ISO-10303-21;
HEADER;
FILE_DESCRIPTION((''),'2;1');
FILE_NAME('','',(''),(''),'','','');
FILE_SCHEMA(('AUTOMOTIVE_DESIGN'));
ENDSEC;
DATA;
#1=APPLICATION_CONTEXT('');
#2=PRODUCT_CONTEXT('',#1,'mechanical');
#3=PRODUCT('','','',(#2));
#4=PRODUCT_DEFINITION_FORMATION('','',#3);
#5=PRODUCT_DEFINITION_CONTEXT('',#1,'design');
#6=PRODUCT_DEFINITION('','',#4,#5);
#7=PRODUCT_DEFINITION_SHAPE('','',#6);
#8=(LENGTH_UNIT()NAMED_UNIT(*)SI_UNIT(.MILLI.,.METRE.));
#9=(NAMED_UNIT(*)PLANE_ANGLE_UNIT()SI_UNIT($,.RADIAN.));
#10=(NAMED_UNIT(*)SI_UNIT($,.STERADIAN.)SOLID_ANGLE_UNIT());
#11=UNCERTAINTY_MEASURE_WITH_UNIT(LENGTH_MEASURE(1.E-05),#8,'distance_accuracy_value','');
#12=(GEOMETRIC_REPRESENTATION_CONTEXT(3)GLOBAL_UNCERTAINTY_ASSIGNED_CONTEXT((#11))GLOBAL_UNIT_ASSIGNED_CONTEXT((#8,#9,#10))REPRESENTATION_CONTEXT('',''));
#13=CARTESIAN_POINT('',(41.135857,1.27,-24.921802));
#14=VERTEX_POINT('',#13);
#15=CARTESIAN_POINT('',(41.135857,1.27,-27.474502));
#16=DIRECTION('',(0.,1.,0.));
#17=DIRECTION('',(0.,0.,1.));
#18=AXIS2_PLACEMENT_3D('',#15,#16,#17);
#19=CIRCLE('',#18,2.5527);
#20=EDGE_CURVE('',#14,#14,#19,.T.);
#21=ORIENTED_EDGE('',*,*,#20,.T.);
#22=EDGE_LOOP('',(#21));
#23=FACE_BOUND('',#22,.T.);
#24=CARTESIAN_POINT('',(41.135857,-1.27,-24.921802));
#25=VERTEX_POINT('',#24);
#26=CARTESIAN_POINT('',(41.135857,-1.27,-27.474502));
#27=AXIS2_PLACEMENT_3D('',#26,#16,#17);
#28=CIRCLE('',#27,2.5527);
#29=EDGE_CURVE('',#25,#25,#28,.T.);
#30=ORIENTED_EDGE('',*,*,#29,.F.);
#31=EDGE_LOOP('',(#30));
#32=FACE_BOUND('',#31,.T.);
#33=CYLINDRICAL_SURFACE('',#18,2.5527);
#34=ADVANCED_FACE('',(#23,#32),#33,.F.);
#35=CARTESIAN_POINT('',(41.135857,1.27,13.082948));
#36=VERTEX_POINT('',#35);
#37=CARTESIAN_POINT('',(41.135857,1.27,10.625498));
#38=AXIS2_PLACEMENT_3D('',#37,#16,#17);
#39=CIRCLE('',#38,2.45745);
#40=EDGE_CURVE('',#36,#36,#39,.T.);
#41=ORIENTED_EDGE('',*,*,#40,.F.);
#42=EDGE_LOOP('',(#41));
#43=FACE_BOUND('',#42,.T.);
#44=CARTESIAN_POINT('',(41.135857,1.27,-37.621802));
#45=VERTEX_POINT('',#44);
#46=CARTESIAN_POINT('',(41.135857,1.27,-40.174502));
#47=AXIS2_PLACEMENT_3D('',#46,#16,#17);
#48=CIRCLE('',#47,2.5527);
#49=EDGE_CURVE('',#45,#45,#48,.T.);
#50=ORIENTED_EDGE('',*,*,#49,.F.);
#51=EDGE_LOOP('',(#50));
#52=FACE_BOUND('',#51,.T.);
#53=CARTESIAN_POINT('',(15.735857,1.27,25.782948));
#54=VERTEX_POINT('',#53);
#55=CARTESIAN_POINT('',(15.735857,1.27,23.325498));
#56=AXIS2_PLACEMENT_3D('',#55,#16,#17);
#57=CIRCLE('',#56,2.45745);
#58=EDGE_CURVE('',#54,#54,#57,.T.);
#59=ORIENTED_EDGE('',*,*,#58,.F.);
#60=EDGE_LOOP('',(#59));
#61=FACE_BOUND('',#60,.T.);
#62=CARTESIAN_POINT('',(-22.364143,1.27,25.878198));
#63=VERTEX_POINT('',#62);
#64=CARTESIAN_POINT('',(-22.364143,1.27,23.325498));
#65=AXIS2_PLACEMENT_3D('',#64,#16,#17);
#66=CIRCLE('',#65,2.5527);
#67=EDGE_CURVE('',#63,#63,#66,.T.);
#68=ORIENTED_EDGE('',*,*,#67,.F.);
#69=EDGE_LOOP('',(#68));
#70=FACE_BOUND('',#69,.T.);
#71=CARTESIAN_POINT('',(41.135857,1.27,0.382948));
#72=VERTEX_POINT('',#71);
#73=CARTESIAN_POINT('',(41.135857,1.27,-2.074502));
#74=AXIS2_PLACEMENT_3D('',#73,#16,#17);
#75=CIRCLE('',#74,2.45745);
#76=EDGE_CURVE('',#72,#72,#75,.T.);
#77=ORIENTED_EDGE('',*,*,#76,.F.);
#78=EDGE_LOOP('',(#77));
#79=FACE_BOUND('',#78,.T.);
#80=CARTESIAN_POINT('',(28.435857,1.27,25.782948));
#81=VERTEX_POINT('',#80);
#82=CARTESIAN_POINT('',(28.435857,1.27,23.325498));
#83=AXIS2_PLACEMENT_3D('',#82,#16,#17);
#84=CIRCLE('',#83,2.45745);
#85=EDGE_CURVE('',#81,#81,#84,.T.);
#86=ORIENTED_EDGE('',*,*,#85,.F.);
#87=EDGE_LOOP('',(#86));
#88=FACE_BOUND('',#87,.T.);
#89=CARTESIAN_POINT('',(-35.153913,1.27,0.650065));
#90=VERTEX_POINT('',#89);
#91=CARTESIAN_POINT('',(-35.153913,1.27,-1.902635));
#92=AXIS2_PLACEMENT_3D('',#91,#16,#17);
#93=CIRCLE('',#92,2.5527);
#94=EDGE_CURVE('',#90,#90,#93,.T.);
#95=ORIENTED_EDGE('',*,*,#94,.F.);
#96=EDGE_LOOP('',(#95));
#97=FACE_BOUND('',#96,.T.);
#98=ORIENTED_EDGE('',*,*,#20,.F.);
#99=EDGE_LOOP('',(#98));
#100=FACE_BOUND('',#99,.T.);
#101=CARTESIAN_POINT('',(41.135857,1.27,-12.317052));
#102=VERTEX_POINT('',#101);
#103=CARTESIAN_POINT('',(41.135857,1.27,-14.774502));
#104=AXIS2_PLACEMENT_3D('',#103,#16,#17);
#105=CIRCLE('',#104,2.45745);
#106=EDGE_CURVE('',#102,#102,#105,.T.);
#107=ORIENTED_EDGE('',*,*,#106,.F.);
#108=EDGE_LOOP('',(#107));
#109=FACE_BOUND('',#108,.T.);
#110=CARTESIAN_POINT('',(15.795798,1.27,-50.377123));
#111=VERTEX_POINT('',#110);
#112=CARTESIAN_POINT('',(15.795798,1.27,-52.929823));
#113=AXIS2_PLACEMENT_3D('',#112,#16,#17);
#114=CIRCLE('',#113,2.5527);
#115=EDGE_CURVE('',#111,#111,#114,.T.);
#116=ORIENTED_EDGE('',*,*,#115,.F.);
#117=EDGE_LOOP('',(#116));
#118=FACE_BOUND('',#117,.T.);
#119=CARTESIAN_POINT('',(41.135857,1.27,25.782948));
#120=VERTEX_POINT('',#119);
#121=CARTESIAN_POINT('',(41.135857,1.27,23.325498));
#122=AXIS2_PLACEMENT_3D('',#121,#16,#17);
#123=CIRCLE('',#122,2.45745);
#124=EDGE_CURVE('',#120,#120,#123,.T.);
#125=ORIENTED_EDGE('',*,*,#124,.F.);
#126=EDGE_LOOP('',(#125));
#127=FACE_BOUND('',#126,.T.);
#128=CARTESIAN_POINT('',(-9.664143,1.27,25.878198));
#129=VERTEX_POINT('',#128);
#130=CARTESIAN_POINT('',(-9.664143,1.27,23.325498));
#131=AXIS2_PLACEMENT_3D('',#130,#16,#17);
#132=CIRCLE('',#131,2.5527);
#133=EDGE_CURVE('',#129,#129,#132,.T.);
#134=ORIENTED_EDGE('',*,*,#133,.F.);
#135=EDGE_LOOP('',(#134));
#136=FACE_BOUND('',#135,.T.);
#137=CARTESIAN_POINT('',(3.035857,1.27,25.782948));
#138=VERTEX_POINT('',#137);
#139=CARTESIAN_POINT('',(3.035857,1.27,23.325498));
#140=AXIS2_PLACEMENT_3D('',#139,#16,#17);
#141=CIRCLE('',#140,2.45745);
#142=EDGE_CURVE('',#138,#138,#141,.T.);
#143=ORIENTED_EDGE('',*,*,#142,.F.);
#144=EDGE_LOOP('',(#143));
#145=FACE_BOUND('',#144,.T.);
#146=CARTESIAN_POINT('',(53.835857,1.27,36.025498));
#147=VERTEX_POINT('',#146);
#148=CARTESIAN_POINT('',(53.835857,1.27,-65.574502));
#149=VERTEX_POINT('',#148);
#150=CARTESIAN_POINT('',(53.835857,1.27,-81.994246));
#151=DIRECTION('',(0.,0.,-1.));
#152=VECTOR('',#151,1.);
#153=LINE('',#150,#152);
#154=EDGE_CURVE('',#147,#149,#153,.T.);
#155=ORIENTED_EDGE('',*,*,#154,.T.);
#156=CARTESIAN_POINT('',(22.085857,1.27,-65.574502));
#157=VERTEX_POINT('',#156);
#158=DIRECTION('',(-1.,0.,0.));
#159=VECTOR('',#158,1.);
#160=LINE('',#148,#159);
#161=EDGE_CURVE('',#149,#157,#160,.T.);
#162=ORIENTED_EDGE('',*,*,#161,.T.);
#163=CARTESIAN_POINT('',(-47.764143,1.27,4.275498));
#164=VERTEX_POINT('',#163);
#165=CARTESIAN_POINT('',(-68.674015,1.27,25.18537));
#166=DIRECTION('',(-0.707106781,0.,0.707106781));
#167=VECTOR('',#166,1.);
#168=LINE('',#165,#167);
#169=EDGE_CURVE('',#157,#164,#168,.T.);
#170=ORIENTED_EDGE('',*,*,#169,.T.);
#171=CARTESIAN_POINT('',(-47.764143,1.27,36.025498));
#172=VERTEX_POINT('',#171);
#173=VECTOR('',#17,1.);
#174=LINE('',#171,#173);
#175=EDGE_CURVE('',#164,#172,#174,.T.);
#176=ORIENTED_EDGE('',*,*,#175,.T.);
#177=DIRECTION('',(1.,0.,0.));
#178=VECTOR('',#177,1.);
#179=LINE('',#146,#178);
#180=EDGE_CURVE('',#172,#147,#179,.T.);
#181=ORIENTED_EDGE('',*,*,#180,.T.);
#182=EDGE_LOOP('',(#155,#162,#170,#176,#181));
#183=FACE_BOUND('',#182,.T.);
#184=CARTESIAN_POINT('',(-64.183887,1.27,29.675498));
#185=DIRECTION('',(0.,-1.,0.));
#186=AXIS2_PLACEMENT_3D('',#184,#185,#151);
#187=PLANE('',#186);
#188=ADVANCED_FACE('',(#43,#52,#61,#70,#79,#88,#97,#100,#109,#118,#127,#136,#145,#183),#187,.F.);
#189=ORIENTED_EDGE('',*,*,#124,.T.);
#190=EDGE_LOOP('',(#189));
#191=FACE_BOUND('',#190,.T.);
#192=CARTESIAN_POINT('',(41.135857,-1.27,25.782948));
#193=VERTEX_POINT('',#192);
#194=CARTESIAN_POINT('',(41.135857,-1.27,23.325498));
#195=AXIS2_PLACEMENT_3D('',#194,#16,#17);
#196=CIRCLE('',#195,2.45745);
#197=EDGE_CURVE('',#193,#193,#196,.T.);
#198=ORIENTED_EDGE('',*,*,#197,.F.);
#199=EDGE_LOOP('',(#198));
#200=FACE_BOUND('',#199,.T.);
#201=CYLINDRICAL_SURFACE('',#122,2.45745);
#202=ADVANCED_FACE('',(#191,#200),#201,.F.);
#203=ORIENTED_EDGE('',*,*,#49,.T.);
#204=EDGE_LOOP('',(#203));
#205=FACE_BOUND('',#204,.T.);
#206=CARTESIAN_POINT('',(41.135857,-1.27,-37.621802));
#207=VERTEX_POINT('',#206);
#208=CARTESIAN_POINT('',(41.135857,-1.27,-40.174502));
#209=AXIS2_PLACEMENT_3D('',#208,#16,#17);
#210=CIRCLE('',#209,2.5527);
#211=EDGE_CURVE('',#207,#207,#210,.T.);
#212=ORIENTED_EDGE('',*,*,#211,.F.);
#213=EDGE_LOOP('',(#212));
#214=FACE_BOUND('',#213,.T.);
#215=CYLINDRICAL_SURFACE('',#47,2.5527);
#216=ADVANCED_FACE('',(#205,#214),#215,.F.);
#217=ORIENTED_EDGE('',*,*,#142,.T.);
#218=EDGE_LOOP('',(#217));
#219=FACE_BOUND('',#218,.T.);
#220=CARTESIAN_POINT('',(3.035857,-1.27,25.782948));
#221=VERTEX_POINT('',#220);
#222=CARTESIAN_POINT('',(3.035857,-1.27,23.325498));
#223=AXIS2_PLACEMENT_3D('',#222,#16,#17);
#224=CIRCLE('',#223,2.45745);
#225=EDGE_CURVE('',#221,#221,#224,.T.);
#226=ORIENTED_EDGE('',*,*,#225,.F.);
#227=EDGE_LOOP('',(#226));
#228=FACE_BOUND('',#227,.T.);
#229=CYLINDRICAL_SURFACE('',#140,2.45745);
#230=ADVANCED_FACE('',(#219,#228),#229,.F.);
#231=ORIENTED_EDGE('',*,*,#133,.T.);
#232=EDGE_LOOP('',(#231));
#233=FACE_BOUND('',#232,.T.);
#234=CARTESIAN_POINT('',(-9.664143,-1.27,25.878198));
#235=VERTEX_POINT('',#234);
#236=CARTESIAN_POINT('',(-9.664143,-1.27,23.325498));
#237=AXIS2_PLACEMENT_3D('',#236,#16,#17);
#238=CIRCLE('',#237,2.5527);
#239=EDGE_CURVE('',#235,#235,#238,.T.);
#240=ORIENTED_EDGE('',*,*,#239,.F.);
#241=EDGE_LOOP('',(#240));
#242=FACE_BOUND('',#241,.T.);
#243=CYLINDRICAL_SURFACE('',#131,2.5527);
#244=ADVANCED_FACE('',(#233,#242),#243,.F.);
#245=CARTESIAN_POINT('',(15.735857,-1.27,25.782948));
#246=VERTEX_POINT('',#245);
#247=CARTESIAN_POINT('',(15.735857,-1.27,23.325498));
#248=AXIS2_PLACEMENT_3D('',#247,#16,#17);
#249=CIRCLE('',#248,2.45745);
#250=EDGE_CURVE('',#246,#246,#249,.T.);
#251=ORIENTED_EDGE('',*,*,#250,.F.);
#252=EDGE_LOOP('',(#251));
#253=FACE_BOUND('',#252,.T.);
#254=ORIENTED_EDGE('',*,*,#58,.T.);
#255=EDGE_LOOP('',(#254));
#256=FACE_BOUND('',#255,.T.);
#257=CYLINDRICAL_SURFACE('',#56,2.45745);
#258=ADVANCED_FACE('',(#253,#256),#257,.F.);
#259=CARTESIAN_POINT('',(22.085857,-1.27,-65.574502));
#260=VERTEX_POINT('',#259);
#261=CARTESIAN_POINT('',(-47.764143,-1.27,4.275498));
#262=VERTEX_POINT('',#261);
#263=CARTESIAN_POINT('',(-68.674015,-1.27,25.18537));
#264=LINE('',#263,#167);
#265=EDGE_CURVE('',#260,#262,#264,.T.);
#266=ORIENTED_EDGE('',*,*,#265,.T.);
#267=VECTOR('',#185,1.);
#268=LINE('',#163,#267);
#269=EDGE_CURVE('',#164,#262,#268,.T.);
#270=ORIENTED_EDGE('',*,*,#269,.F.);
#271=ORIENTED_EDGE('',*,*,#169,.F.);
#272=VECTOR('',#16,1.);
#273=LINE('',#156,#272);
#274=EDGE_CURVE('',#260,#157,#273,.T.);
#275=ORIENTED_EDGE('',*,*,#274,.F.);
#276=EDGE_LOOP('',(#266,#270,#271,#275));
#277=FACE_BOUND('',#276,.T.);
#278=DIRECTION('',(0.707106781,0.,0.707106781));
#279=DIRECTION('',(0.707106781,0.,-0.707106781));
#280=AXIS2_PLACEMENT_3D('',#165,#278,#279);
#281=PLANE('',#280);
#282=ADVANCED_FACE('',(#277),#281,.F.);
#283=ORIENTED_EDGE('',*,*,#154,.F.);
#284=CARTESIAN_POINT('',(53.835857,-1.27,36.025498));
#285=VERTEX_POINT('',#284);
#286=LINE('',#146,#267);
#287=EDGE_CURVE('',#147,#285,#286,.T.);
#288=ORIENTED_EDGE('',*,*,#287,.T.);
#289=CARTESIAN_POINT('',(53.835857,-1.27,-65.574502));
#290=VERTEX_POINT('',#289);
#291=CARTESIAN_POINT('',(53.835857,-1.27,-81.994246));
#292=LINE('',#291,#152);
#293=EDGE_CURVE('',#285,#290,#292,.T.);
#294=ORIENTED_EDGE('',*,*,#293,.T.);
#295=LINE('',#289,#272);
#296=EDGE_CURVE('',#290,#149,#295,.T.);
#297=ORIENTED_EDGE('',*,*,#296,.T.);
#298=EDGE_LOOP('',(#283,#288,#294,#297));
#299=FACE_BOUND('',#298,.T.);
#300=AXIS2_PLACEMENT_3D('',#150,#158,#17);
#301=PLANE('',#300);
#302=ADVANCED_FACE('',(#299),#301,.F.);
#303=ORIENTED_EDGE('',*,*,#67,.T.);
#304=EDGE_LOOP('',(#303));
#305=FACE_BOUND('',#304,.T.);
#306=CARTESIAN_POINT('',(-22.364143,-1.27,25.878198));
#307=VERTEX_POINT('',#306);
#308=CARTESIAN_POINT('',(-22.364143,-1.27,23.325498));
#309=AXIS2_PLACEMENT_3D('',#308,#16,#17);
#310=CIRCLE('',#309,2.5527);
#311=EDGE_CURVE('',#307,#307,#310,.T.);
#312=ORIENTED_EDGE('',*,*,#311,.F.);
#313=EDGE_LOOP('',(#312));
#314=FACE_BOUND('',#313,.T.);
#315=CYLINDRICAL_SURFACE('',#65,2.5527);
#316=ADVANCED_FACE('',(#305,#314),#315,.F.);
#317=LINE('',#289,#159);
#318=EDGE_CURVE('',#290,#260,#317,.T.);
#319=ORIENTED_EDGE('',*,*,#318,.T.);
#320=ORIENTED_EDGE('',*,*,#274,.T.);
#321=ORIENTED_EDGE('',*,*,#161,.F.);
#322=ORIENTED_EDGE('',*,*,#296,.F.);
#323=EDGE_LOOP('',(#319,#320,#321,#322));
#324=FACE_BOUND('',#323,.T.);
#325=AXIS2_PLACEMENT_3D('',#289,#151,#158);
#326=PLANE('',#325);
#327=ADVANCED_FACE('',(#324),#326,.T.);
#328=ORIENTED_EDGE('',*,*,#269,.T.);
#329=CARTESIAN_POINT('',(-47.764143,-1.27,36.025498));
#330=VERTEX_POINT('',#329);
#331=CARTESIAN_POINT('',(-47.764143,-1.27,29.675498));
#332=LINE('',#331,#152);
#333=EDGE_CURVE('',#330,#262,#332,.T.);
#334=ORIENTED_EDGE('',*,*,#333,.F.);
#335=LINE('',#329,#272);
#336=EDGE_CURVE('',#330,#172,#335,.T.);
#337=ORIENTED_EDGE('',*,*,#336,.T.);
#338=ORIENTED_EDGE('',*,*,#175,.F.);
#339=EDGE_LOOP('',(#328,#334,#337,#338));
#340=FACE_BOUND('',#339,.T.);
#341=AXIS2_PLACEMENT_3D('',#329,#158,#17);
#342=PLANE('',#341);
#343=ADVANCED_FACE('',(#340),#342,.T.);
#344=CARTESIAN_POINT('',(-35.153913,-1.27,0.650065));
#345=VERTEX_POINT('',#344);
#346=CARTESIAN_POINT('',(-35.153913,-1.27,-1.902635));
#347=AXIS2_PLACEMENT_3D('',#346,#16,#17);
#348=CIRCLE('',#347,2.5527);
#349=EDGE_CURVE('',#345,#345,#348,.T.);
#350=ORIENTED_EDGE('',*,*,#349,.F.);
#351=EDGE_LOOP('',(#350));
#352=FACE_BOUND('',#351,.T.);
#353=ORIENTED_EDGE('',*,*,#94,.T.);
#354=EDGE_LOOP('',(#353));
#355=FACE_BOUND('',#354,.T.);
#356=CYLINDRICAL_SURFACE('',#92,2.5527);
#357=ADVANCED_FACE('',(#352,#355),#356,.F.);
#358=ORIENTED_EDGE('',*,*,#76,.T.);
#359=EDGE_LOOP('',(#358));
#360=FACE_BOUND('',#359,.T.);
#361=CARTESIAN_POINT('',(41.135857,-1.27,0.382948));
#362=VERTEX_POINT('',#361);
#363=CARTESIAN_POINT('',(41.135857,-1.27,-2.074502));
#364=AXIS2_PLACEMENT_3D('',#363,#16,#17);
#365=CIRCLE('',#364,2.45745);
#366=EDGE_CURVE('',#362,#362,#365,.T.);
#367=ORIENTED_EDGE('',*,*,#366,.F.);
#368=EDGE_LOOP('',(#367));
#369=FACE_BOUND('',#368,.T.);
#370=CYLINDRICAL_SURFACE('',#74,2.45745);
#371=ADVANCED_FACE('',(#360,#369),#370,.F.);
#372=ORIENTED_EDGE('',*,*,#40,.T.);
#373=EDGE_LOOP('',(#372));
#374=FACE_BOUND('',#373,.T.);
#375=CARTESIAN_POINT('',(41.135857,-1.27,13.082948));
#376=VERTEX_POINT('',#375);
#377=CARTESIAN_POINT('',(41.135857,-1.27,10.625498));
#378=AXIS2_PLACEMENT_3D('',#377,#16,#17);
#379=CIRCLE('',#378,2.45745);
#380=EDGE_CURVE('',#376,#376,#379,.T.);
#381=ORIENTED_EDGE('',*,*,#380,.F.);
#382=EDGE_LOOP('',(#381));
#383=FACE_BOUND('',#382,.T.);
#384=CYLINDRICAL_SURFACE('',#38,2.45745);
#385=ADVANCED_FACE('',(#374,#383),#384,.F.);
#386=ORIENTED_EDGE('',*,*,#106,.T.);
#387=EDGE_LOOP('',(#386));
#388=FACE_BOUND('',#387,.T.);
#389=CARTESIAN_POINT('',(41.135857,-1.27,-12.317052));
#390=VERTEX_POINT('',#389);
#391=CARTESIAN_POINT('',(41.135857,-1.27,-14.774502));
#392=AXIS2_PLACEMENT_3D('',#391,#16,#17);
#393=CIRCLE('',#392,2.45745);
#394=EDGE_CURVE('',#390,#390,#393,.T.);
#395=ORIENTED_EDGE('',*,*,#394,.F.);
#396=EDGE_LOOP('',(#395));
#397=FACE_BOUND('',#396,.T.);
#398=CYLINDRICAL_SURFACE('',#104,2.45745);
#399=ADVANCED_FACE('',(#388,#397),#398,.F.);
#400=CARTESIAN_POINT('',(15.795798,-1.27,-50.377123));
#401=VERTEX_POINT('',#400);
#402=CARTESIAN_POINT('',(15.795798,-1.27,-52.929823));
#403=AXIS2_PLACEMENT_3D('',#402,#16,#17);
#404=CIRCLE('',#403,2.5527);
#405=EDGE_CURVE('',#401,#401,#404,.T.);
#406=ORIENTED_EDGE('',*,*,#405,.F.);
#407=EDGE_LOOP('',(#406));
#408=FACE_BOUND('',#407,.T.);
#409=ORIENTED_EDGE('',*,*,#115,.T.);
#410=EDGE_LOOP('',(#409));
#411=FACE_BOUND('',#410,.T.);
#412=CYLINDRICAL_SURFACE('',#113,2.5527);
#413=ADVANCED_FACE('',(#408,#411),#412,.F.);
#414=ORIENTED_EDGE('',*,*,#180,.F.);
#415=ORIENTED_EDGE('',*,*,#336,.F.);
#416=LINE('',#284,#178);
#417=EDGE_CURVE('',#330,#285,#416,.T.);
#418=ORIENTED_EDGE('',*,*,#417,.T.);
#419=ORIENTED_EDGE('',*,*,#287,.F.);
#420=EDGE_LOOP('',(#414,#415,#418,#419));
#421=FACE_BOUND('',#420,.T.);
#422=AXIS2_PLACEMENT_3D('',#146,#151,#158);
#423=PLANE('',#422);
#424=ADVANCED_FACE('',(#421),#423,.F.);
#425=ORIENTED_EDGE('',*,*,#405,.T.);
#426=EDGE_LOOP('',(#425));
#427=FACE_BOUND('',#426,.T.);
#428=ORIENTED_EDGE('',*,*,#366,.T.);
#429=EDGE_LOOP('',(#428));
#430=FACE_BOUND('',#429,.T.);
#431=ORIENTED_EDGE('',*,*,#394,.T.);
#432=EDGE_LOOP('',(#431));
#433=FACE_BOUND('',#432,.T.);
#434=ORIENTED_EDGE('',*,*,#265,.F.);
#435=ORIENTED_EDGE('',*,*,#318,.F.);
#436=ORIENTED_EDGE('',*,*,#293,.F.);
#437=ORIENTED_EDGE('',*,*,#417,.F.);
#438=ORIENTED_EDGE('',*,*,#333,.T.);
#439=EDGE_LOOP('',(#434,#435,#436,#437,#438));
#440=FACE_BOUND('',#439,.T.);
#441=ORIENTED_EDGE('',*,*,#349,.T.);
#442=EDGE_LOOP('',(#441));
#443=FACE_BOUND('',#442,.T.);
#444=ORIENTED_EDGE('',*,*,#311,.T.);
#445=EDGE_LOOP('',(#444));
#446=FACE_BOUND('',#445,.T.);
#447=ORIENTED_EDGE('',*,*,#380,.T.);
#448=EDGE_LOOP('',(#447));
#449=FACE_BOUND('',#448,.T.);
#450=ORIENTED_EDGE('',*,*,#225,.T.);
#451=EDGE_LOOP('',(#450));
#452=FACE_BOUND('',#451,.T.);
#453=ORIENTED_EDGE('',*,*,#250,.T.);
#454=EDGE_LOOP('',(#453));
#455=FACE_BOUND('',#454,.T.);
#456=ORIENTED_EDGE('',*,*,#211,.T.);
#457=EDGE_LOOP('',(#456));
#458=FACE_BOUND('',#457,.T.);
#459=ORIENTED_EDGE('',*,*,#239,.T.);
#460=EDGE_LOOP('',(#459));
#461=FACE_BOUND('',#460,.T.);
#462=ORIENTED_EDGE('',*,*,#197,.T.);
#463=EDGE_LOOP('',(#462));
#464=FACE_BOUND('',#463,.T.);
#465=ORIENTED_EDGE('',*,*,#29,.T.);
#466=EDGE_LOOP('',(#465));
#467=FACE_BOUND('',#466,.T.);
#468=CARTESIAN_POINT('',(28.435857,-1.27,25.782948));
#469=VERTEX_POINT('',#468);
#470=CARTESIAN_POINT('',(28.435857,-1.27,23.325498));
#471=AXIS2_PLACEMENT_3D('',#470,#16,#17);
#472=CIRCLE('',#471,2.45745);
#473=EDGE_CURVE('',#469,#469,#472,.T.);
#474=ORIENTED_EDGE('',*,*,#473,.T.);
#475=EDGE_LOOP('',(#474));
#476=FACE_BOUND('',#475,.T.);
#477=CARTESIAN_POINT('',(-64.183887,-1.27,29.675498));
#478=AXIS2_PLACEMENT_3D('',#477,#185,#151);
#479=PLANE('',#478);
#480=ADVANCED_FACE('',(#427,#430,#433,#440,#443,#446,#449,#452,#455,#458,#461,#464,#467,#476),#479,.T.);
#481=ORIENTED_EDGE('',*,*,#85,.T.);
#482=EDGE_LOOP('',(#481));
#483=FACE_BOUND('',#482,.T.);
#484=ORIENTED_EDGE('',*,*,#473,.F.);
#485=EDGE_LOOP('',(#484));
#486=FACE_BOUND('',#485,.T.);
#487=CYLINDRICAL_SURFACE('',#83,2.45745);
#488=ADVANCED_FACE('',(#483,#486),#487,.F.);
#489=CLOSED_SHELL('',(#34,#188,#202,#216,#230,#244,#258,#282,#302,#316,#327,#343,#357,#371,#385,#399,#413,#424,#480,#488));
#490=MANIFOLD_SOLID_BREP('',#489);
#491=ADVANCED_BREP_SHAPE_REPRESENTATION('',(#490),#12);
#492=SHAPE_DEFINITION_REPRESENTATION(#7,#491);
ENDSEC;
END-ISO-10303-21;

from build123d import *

# Parameters (mm, degrees)
BOSS_EXTRUDE1_DEPTH          = 1.27
F_10_0_1935_DIAMETER_HOLE1_D = 4.9149
F_10_CLEARANCE_HOLE3_D       = 5.1054
SKETCH8_W                    = 182.273007985
SKETCH8_H                    = 142.759278982
SKETCH8_W_2                  = 101.6
SKETCH8_H_2                  = 101.6
CUT_EXTRUDE1_DEPTH           = 114.076021494


with BuildPart() as part:
    # Sketch1 → Boss-Extrude1 (new, symmetric)
    with BuildSketch(Plane(origin=(0, 0, 0), x_dir=(1, 0, 0), z_dir=(0, 1, 0))):
        with BuildLine():
            Line((53.835856574, 81.994245871), (53.835856574, -36.025498008))
            Line((53.835856574, -36.025498008), (-64.183887305, -36.025498008))
            ThreePointArc((-64.183887305, -36.025498008), (-70.050522337, -32.105537803), (-68.674015366, -25.185369947))
            Line((-68.674015366, -25.185369947), (42.995728513, 86.484373931))
            ThreePointArc((42.995728513, 86.484373931), (49.915896369, 87.860880902), (53.835856574, 81.994245871))
        make_face()
    extrude(amount=BOSS_EXTRUDE1_DEPTH, both=True)

    # #10 (0.1935) Diameter Hole1 (through all)
    with Locations(Plane(origin=(0, 1.27, 0), x_dir=(1, 0, 0), z_dir=(0, 1, 0))):
        with Locations((41.135856574, -23.325498008), (28.435856574, -23.325498008), (15.735856574, -23.325498008), (3.035856574, -23.325498008), (41.135856574, -10.625498008), (41.135856574, 2.074501992), (41.135856574, 14.774501992)):
            Hole(F_10_0_1935_DIAMETER_HOLE1_D / 2)

    # #10 Clearance Hole3 (through all)
    with Locations(Plane(origin=(0, 1.27, 0), x_dir=(1, 0, 0), z_dir=(0, 1, 0))):
        with Locations((-9.664143426, -23.325498008), (-22.364143426, -23.325498008), (41.135856574, 27.474501992), (41.135856574, 40.174501992), (15.795798418, 52.929822822), (-35.153913001, 1.902635256)):
            Hole(F_10_CLEARANCE_HOLE3_D / 2)

    # Sketch8 → Cut-Extrude1 (cut, through all)
    with BuildSketch(Plane(origin=(0, 1.27, 0), x_dir=(1, 0, 0), z_dir=(0, 1, 0))):
        with Locations((14.049390588, 20.35997908)):
            Rectangle(SKETCH8_W, SKETCH8_H)
        with Locations((3.035856574, 14.774501992)):
            Rectangle(SKETCH8_W_2, SKETCH8_H_2, mode=Mode.SUBTRACT)
    extrude(amount=-CUT_EXTRUDE1_DEPTH, mode=Mode.SUBTRACT)


solid = part.part
